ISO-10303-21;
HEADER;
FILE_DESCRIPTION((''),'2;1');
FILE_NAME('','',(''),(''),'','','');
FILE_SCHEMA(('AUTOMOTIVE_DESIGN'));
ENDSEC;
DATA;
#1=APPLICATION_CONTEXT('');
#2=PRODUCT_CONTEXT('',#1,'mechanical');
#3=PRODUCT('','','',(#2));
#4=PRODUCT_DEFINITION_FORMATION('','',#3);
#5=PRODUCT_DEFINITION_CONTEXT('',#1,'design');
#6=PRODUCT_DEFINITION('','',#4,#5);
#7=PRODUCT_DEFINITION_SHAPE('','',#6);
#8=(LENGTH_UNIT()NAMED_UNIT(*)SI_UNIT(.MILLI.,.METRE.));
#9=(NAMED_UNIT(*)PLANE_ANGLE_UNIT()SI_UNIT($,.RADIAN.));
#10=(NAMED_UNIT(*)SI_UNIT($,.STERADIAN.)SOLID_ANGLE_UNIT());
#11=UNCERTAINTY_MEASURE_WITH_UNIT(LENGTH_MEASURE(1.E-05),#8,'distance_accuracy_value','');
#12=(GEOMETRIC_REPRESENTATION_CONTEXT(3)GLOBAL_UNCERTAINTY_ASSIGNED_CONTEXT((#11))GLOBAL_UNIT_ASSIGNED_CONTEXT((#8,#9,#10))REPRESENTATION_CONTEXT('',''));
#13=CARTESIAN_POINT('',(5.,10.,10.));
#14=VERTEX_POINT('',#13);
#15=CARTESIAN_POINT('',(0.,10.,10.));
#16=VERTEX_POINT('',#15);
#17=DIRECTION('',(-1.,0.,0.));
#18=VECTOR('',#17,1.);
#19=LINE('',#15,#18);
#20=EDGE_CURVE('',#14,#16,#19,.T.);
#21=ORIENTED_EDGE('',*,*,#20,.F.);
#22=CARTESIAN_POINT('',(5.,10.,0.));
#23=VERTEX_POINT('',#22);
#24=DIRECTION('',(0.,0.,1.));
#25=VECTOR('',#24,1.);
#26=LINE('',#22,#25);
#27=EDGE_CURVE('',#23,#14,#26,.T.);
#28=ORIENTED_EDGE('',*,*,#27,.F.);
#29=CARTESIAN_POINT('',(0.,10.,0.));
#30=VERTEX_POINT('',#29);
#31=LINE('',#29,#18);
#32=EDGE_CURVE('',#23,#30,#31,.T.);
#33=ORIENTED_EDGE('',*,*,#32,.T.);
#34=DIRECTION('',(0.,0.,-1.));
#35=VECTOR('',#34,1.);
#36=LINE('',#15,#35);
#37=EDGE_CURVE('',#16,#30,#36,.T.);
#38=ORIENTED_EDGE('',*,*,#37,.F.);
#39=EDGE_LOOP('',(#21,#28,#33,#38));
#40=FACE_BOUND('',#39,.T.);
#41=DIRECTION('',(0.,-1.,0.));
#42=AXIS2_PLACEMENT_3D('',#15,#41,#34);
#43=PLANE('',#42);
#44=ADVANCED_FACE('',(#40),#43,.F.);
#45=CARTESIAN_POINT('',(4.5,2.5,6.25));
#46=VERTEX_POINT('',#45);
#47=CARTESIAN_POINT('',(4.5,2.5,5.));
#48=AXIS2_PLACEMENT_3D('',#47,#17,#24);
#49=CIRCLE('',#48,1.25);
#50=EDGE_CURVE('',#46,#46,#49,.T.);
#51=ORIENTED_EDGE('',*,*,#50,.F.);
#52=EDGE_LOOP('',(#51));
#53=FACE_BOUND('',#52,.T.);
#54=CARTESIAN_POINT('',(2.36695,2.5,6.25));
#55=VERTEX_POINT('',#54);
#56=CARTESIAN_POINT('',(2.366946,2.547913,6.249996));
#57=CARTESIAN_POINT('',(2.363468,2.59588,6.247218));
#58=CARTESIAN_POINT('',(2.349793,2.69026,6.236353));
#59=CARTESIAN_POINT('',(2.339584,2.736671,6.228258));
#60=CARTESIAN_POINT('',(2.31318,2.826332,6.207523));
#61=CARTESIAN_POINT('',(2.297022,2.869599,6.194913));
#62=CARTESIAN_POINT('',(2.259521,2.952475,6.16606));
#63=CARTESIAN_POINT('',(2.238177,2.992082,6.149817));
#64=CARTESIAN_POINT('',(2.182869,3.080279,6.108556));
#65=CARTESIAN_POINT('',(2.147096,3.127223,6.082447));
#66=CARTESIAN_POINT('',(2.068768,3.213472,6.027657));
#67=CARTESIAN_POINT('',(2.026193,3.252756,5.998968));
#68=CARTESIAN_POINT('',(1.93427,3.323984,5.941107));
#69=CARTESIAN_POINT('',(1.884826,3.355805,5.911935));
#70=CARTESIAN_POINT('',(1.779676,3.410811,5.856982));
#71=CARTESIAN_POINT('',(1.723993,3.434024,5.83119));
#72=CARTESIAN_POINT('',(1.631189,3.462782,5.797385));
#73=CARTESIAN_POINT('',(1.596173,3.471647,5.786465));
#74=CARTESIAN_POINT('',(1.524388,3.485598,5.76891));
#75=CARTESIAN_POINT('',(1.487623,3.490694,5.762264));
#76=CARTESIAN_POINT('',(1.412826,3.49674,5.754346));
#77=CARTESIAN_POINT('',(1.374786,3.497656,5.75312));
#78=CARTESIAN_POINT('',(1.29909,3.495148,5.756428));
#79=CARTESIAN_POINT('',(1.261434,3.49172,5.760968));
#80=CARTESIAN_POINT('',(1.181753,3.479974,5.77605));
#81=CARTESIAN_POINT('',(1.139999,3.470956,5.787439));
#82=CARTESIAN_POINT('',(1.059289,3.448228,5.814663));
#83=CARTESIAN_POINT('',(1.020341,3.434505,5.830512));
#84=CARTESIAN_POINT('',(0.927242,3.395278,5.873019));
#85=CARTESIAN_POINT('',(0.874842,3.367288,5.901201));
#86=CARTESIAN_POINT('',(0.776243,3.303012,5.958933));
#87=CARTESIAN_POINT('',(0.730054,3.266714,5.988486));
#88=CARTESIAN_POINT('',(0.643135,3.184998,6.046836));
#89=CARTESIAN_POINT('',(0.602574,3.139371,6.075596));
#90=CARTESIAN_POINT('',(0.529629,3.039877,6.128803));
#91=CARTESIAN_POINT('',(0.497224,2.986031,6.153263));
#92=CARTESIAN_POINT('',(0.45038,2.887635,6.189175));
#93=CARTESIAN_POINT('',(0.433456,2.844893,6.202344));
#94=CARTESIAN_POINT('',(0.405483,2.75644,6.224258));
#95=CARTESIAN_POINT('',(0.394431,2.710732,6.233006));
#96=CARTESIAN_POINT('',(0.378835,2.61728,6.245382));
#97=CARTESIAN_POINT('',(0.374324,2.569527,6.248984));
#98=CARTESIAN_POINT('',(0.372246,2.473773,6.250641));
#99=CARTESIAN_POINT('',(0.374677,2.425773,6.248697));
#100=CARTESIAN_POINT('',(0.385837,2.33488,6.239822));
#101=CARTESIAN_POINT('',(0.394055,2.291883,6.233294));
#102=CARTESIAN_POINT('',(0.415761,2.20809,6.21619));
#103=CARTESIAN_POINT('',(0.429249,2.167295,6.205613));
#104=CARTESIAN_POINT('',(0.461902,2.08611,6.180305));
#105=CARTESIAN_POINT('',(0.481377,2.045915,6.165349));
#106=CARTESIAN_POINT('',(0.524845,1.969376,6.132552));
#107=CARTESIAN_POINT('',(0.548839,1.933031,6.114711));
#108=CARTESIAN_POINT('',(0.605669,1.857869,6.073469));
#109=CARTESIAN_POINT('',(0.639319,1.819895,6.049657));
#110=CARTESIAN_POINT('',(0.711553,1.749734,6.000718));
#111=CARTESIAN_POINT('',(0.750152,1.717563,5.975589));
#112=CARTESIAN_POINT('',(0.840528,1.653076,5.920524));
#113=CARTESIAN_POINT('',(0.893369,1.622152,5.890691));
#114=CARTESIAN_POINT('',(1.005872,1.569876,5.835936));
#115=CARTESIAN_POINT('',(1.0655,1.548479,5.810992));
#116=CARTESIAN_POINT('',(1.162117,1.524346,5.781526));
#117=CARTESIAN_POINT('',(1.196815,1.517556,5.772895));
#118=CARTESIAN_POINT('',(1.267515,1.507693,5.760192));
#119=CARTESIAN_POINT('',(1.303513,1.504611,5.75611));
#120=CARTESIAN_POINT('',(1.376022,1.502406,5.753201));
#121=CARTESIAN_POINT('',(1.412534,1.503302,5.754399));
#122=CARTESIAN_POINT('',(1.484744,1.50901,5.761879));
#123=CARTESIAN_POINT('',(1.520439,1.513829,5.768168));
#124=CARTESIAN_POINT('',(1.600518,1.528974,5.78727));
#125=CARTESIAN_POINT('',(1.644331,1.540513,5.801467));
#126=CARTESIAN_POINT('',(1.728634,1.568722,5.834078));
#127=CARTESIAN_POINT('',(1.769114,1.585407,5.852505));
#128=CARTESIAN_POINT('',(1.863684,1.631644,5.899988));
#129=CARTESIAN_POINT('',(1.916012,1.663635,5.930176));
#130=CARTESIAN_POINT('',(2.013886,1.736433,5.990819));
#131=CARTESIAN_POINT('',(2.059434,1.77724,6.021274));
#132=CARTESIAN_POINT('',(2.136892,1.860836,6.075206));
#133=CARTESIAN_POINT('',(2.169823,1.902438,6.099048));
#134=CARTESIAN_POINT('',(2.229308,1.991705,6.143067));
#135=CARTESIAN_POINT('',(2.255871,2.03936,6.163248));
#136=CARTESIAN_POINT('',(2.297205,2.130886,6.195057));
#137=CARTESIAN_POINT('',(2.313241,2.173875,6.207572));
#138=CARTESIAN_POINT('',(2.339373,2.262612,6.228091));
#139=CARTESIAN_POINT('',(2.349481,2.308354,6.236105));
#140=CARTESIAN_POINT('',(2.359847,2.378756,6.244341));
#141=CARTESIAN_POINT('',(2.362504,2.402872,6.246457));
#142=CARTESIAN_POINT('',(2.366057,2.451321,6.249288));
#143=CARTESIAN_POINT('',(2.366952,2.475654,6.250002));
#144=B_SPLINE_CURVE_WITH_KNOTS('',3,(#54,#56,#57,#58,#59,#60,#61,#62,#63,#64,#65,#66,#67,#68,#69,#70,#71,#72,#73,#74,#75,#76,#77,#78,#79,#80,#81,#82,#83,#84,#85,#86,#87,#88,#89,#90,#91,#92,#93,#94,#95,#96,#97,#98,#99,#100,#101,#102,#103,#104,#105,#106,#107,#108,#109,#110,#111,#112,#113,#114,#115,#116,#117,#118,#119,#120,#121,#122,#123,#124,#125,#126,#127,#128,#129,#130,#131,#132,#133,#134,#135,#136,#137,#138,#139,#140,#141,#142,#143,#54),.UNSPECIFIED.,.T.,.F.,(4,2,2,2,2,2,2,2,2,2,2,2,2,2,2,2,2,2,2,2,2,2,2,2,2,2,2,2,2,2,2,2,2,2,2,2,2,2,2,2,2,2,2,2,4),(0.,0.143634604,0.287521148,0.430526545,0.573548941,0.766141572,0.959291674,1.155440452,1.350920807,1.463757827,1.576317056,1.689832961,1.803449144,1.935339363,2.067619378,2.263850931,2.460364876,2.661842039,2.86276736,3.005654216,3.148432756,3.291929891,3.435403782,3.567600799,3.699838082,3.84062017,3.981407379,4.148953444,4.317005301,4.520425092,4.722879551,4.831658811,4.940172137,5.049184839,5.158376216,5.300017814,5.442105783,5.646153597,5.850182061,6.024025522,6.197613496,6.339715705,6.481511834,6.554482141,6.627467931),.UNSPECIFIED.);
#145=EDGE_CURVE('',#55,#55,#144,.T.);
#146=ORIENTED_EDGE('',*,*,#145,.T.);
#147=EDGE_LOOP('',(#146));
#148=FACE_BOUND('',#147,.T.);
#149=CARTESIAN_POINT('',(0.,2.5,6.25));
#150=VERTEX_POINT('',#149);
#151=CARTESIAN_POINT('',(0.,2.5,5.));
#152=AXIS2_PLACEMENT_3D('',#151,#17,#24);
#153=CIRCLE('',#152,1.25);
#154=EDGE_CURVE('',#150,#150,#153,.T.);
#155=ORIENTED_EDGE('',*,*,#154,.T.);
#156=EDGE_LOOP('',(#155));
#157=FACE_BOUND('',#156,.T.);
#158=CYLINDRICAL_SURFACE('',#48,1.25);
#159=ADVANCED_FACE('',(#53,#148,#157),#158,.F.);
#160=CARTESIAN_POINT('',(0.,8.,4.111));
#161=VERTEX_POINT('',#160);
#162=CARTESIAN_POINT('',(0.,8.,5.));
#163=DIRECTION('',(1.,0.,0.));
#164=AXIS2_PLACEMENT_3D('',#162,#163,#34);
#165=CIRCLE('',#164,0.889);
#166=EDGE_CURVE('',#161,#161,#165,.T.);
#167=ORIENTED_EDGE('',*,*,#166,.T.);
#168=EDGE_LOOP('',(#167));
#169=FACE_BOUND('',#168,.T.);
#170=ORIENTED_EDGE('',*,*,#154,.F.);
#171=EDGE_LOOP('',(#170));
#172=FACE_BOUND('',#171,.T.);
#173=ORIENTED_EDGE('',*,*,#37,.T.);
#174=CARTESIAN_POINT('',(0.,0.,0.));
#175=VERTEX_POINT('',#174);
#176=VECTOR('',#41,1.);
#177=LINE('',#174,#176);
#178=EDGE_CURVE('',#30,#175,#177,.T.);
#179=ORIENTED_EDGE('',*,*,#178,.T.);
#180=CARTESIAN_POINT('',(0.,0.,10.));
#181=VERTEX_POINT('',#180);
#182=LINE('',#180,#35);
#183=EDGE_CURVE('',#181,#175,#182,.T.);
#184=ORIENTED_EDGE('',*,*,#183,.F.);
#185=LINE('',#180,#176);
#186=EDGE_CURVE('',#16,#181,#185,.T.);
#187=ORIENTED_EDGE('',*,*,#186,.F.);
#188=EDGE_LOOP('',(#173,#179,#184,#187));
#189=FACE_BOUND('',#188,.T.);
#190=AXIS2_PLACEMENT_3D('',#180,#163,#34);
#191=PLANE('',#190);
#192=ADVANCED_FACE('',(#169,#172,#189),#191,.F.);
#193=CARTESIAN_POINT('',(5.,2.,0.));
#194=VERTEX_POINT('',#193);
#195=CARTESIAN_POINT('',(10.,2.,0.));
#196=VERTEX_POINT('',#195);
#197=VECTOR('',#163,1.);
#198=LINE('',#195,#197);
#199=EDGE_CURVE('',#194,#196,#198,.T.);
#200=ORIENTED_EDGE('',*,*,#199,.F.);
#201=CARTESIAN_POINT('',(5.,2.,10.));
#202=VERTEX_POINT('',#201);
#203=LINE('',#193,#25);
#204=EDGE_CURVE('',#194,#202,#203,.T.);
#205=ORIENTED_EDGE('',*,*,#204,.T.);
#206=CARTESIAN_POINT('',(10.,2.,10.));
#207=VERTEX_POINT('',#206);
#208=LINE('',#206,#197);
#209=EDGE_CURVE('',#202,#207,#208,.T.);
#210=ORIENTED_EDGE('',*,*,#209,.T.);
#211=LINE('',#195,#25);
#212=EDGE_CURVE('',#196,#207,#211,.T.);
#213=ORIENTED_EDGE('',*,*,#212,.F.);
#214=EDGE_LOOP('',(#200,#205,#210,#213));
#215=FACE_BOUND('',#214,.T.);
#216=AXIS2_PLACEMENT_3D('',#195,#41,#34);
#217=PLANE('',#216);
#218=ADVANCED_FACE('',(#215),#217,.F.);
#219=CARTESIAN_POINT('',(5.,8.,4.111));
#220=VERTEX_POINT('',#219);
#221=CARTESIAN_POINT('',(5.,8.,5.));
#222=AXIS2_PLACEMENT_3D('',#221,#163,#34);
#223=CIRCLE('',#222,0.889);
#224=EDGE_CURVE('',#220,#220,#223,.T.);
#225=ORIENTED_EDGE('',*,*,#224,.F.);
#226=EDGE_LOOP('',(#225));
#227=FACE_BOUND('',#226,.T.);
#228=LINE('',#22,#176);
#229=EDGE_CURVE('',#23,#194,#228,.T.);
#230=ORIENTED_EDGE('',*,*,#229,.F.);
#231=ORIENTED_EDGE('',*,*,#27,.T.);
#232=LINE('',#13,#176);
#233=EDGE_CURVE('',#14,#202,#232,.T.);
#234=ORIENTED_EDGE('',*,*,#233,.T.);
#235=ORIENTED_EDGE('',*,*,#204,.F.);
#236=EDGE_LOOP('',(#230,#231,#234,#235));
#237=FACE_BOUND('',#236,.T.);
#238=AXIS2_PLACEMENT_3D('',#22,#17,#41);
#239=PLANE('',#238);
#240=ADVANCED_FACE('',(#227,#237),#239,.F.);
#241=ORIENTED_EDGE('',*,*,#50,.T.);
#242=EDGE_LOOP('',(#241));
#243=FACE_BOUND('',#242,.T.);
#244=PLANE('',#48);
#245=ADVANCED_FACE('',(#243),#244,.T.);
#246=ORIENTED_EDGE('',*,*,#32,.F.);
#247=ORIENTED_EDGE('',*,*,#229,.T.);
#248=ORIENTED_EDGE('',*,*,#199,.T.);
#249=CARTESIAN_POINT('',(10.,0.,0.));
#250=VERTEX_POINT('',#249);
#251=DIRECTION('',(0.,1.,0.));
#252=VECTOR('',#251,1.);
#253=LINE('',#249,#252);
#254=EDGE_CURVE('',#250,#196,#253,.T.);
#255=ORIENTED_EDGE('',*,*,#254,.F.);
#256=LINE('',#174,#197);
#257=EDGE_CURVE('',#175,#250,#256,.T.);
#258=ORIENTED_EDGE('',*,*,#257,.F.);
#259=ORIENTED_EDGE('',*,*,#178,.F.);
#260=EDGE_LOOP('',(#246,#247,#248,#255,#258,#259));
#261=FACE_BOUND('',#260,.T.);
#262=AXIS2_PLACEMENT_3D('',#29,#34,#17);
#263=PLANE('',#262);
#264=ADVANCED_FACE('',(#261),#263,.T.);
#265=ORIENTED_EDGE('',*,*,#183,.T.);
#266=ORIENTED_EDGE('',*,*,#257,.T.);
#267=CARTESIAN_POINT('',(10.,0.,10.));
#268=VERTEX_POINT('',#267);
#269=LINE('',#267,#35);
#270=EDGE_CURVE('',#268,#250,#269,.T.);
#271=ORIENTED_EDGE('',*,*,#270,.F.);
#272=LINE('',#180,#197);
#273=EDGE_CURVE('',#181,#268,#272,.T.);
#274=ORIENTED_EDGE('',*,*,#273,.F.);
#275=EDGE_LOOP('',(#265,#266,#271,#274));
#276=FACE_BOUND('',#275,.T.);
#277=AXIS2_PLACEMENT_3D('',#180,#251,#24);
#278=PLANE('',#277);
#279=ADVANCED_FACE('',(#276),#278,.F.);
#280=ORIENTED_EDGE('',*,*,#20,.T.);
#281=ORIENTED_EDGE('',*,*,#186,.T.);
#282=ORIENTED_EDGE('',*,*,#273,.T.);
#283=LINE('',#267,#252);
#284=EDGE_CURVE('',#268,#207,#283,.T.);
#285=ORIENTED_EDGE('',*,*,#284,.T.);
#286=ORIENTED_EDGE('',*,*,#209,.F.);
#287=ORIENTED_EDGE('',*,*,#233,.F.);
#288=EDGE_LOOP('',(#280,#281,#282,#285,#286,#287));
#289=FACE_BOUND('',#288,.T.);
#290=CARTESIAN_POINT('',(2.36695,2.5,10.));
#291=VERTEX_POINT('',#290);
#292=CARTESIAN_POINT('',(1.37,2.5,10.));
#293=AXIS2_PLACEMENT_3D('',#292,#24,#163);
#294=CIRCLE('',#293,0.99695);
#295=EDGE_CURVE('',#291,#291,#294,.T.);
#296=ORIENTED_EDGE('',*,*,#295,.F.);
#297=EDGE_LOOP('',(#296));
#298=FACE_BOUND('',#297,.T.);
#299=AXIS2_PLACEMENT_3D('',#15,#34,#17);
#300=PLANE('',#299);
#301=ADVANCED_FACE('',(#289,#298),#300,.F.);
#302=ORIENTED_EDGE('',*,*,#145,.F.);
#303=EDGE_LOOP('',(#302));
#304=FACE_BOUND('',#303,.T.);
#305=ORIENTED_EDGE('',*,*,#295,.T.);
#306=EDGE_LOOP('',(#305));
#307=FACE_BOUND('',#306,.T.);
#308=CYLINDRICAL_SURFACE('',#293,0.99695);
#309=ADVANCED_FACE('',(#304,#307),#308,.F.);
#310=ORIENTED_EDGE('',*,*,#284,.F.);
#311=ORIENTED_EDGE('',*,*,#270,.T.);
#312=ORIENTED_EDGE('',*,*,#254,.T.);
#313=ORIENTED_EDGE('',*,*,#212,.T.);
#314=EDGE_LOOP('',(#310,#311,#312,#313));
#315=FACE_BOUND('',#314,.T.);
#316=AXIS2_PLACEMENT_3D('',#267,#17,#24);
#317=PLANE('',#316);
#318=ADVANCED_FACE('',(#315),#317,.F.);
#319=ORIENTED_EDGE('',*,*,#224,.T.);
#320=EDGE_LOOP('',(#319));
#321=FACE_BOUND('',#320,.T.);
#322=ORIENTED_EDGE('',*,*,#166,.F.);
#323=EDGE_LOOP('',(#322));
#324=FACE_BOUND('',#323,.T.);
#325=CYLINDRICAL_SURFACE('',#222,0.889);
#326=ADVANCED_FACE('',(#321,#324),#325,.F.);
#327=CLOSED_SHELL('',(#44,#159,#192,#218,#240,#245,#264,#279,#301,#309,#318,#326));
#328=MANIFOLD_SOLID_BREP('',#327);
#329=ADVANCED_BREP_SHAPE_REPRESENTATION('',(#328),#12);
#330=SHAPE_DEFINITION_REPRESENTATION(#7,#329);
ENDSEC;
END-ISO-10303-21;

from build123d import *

# Parameters (mm, degrees)
SKETCH1_W                 = 10
SKETCH1_H                 = 10
EXTRUDE1_DEPTH            = 10
SKETCH2_W                 = 5
SKETCH2_H                 = 8
EXTRUDE2_DEPTH            = 11
SKETCH4_R                 = 1.25
CUT_EXTRUDE1_DEPTH        = 4.5
F_3_48_TAPPED_HOLE1_D     = 1.9939
F_3_48_TAPPED_HOLE1_DEPTH = 5
F_3_48_TAPPED_HOLE1_TIP   = 0.599027994
F_2_56_TAPPED_HOLE1_D     = 1.778
F_2_56_TAPPED_HOLE1_DEPTH = 5.73
F_2_56_TAPPED_HOLE1_TIP   = 0.53416509


with BuildPart() as part:
    # Sketch1 → Extrude1 (new body)
    with BuildSketch(Plane.XY):
        with Locations((5, 5)):
            Rectangle(SKETCH1_W, SKETCH1_H)
    extrude(amount=EXTRUDE1_DEPTH)

    # Sketch2 → Extrude2 (cut, through all)
    with BuildSketch(Plane.XY.offset(10)):
        with Locations((7.5, 6)):
            Rectangle(SKETCH2_W, SKETCH2_H)
    extrude(amount=-EXTRUDE2_DEPTH, mode=Mode.SUBTRACT)

    # Sketch4 → Cut-Extrude1 (cut)
    with BuildSketch(Plane.ZY):
        with Locations((5, 2.5)):
            Circle(SKETCH4_R)
    extrude(amount=-CUT_EXTRUDE1_DEPTH, mode=Mode.SUBTRACT)

    # #3-48 Tapped Hole1
    with Locations(Plane.XY.offset(10)):
        with Locations((1.37, 2.5)):
            Hole(F_3_48_TAPPED_HOLE1_D / 2, depth=F_3_48_TAPPED_HOLE1_DEPTH)
            with Locations((0, 0, -(F_3_48_TAPPED_HOLE1_DEPTH + F_3_48_TAPPED_HOLE1_TIP / 2))):  # 118° drill point
                Cone(0, F_3_48_TAPPED_HOLE1_D / 2, F_3_48_TAPPED_HOLE1_TIP, mode=Mode.SUBTRACT)

    # #2-56 Tapped Hole1
    with Locations(Plane(origin=(5, 0, 0), x_dir=(0, 0, -1), z_dir=(1, 0, 0))):
        with Locations((-5, 8)):
            Hole(F_2_56_TAPPED_HOLE1_D / 2, depth=F_2_56_TAPPED_HOLE1_DEPTH)
            with Locations((0, 0, -(F_2_56_TAPPED_HOLE1_DEPTH + F_2_56_TAPPED_HOLE1_TIP / 2))):  # 118° drill point
                Cone(0, F_2_56_TAPPED_HOLE1_D / 2, F_2_56_TAPPED_HOLE1_TIP, mode=Mode.SUBTRACT)


solid = part.part
